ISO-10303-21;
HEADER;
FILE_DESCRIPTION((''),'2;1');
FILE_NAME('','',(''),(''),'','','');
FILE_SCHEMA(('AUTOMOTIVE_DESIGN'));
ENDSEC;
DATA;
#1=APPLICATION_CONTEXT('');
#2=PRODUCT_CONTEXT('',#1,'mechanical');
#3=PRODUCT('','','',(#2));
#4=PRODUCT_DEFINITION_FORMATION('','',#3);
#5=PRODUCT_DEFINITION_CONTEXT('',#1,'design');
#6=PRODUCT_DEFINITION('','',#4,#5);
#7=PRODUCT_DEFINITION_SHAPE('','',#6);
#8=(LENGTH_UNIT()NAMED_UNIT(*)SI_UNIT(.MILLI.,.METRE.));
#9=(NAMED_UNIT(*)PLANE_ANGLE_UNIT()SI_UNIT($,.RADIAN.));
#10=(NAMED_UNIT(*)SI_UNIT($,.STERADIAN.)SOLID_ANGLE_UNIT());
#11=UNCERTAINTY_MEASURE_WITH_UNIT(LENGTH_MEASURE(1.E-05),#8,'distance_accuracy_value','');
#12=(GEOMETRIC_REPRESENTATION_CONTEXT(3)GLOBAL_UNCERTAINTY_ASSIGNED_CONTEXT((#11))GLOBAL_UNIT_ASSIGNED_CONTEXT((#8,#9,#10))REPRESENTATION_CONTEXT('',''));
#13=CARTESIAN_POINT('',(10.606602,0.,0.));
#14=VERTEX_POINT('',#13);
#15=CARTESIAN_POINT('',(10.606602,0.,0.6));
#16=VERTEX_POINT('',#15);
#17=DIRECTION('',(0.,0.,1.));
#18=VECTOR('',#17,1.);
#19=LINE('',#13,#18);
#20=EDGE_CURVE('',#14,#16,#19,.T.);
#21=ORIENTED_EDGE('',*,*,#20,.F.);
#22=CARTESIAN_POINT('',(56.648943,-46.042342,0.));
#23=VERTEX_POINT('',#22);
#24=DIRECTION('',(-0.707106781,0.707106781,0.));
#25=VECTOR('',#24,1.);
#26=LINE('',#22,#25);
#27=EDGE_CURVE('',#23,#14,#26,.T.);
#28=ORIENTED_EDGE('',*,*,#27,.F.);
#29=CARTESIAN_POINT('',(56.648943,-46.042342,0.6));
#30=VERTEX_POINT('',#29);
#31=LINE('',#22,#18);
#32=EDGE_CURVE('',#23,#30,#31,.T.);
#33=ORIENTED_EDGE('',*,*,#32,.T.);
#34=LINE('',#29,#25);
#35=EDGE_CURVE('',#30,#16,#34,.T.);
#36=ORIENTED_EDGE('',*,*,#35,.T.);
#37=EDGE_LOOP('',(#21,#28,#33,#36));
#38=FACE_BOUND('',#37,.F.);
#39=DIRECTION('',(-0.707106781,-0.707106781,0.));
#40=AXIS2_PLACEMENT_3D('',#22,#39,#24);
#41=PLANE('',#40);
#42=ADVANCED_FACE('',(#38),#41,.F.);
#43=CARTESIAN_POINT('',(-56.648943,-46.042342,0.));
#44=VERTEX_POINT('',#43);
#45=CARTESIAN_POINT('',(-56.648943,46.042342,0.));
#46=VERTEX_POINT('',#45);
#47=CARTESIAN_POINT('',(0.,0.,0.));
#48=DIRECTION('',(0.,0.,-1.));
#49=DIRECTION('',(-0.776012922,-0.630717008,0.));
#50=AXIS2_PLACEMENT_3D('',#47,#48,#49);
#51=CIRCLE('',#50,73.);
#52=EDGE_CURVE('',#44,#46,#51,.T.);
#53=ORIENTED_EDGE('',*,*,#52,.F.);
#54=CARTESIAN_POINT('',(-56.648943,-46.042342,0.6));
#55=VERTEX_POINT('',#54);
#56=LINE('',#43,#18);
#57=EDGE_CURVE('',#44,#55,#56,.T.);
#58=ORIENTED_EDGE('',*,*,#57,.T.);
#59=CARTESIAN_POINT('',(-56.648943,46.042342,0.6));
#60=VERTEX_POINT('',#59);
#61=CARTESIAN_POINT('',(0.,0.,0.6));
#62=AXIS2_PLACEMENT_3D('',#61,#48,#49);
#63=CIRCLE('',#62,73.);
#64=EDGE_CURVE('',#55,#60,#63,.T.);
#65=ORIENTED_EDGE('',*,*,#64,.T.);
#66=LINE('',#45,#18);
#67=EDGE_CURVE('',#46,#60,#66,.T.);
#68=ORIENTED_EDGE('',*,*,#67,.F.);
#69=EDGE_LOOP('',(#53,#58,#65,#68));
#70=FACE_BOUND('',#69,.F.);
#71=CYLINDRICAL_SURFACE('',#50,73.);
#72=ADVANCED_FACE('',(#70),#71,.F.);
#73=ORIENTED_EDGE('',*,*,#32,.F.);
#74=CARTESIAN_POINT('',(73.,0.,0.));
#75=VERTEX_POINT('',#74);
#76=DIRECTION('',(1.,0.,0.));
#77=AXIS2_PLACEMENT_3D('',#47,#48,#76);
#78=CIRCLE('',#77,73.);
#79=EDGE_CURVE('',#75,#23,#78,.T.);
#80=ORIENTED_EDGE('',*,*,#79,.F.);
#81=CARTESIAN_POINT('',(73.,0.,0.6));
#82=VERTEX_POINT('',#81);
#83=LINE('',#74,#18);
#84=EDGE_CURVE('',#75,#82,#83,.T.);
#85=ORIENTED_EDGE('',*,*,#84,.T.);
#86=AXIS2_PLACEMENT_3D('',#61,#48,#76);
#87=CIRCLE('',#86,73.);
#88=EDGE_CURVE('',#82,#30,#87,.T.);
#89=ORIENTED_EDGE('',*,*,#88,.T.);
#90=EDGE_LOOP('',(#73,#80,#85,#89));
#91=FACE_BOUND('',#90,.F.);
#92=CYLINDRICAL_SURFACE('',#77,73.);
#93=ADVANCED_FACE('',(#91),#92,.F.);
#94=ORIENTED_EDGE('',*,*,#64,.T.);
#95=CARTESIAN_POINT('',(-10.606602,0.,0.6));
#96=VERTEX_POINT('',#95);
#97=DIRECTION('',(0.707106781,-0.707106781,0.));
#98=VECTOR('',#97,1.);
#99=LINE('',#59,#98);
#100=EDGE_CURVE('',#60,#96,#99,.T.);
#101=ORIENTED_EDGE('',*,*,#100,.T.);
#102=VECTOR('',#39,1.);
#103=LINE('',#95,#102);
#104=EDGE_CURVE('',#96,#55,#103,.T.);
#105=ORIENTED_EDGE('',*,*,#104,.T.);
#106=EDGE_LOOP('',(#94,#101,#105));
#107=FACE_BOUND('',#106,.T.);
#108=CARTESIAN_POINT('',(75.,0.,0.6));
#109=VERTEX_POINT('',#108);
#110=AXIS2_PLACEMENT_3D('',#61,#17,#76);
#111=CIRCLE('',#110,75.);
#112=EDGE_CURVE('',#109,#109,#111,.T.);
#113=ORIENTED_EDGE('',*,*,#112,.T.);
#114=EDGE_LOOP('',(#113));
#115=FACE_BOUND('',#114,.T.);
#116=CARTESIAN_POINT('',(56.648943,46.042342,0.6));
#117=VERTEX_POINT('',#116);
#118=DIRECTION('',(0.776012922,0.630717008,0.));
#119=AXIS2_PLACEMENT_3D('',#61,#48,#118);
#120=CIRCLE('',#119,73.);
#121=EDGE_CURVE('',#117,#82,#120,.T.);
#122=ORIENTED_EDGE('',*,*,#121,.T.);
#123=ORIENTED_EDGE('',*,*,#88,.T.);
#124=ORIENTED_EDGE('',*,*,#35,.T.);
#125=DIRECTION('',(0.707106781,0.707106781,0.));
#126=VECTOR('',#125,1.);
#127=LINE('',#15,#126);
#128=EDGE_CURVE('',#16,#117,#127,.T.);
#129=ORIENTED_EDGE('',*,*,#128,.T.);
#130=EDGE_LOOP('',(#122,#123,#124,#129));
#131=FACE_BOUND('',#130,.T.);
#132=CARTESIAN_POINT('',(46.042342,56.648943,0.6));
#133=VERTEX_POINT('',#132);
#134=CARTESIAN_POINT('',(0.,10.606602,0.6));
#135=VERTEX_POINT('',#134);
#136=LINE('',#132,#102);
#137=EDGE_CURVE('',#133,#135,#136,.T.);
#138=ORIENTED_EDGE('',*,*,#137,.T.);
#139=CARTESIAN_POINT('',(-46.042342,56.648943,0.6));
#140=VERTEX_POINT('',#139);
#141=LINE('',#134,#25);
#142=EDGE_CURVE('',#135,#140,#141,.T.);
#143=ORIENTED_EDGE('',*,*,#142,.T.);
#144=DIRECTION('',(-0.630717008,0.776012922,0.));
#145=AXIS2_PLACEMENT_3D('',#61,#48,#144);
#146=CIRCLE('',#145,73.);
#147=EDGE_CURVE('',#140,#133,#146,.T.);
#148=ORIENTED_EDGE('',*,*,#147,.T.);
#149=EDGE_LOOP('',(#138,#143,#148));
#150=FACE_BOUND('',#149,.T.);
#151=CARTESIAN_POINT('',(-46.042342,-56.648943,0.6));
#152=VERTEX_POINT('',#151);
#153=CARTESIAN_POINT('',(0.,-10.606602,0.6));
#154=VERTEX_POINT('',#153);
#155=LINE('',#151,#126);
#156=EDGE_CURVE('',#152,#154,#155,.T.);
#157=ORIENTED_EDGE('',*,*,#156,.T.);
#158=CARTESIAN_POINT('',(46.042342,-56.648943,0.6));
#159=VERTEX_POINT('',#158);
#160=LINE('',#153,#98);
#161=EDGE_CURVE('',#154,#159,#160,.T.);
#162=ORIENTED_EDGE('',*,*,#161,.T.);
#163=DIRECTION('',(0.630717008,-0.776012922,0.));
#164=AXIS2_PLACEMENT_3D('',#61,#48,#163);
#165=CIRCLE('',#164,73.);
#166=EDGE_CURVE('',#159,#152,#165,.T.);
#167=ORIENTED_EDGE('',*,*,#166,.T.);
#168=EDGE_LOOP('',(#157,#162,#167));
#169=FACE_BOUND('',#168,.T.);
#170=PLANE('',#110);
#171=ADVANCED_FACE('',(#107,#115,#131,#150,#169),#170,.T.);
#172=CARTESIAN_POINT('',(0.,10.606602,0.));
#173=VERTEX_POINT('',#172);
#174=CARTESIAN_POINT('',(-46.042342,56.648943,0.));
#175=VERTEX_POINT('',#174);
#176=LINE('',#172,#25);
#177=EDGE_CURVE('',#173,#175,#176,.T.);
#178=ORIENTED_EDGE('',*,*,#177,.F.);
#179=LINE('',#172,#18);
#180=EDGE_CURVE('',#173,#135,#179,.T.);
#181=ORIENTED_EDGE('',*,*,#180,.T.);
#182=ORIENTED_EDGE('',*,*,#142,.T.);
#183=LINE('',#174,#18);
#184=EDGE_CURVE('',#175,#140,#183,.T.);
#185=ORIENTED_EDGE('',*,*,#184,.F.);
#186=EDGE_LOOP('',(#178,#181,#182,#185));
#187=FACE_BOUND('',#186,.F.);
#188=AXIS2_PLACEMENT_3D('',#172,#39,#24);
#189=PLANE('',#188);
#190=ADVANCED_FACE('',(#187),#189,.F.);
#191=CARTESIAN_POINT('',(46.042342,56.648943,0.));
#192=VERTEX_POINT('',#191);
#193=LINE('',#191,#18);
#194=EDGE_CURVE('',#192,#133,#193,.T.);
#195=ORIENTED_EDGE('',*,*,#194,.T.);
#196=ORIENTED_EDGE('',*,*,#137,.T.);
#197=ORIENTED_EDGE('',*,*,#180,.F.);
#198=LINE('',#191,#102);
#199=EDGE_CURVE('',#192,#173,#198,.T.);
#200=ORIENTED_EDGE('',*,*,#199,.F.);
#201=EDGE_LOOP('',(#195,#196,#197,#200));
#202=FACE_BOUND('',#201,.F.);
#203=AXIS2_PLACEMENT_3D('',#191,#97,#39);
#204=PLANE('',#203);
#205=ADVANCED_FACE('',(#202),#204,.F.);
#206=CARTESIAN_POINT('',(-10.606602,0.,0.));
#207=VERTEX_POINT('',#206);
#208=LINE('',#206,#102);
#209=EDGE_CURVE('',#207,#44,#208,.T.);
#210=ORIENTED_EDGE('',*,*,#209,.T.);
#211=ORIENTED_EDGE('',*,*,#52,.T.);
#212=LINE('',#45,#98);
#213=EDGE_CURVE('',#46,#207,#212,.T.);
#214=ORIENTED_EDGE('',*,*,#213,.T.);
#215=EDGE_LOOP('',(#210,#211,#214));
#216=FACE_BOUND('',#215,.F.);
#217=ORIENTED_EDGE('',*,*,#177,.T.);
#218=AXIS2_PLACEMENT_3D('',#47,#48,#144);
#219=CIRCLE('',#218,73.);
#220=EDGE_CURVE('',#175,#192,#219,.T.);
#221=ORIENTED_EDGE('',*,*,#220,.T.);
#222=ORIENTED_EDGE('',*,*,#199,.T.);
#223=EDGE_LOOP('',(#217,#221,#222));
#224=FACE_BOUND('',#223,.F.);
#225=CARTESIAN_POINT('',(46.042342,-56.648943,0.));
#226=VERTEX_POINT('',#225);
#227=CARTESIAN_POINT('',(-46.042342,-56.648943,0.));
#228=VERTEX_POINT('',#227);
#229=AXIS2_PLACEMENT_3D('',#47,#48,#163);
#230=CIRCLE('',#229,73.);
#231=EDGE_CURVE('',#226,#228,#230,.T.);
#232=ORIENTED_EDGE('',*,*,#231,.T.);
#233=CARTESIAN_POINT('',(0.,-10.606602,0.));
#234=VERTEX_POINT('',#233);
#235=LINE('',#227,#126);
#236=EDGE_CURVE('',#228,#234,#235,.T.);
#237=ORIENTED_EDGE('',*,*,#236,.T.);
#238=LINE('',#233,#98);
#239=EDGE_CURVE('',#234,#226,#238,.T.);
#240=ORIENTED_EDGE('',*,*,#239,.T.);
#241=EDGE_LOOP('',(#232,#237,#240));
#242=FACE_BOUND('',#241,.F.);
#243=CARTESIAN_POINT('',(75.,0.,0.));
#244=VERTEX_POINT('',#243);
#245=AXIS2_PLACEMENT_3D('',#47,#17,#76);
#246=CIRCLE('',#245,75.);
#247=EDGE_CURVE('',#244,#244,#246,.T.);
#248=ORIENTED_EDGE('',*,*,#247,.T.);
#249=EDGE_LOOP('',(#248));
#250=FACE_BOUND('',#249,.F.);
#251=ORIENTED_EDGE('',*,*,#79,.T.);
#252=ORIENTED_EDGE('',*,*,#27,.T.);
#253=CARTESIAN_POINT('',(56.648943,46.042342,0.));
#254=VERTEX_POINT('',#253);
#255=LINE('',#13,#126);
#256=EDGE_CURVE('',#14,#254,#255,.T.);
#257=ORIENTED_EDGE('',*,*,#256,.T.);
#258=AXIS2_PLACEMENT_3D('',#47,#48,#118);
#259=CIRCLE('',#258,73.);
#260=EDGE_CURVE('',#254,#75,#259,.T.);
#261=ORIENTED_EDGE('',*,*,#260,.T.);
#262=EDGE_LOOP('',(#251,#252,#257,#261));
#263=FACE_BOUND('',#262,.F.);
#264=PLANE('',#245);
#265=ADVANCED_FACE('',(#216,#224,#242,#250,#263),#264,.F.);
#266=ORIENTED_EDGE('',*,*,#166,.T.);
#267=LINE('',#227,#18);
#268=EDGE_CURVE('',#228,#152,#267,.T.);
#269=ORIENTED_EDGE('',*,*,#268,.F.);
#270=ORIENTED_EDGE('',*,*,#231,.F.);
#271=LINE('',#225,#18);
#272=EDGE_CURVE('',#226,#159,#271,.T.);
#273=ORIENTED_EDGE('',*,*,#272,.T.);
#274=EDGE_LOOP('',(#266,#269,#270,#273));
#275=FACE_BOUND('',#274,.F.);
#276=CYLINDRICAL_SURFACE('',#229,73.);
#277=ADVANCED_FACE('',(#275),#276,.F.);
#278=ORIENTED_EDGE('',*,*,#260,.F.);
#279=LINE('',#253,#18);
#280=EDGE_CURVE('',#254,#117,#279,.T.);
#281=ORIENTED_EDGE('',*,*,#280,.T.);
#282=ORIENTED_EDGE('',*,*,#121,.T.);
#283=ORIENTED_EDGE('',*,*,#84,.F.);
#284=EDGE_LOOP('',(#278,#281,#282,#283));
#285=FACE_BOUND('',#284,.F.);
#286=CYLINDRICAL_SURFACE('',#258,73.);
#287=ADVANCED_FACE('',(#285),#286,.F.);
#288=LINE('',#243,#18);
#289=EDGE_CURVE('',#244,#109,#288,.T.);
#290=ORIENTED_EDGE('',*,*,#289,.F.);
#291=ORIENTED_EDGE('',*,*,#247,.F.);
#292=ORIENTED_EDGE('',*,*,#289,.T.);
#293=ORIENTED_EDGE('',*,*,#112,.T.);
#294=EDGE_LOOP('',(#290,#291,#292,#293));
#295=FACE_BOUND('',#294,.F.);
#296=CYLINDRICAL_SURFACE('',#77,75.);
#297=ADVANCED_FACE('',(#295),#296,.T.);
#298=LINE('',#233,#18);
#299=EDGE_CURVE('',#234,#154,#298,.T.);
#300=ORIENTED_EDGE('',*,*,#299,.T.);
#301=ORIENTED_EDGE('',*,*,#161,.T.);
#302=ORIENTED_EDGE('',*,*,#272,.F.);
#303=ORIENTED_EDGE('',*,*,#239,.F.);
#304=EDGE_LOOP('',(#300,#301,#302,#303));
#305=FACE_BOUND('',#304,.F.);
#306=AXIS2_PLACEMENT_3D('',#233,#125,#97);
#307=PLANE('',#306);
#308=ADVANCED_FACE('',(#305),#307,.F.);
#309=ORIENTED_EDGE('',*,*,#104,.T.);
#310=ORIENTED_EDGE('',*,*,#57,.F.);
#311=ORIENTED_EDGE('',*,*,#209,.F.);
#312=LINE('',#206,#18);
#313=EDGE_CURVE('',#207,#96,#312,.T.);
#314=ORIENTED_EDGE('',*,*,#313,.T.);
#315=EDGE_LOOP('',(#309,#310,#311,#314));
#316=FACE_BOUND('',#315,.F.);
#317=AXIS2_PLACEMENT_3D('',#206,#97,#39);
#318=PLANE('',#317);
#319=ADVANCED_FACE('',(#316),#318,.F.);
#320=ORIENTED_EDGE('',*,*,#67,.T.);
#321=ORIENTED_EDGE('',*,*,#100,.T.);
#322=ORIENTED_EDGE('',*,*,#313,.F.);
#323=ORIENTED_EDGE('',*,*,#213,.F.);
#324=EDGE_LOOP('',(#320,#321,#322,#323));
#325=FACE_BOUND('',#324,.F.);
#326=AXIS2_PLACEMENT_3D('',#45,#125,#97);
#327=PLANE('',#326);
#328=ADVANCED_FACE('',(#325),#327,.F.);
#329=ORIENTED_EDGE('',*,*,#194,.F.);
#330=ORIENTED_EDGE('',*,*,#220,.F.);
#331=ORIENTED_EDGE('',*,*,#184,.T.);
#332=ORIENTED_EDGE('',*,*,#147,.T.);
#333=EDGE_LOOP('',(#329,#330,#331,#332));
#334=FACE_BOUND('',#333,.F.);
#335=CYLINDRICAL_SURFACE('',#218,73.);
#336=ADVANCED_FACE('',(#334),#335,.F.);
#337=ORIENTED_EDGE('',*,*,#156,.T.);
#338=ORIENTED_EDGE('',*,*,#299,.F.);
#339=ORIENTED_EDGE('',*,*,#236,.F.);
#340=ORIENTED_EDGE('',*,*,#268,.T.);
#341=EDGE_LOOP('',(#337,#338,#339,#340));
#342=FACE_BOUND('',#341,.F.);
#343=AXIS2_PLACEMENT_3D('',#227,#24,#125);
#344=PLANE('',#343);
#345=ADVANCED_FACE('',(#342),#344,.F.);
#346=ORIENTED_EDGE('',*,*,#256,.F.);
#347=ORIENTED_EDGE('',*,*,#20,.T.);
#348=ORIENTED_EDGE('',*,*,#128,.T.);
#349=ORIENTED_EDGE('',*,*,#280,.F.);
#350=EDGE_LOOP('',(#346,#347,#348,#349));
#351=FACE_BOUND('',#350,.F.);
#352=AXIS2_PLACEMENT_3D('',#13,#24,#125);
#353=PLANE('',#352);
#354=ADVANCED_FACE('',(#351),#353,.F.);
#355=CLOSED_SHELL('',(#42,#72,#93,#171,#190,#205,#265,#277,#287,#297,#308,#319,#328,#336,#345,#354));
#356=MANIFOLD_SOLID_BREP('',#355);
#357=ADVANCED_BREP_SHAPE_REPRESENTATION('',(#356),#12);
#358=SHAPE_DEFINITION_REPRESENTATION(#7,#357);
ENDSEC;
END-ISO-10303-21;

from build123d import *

# Parameters (mm, degrees)
F0_R     = 75
F1_DEPTH = 0.6


with BuildPart() as f1:
    # F0 (on Top) → F1 (new body)
    with BuildSketch(Plane.XY):
        Circle(F0_R)
        with BuildLine():
            ThreePointArc((56.6489433225, 46.0423416047), (68.7908891589, 24.4297680859), (73, 0))
            ThreePointArc((73, 0), (68.7908891589, -24.4297680859), (56.6489433225, -46.0423416047))
            ThreePointArc((56.6489433225, -46.0423416047), (51.6187950266, -51.6187950266), (46.0423416047, -56.6489433225))
            ThreePointArc((46.0423416047, -56.6489433225), (0, -73), (-46.0423416047, -56.6489433225))
            ThreePointArc((-46.0423416047, -56.6489433225), (-51.6187950266, -51.6187950266), (-56.6489433225, -46.0423416047))
            ThreePointArc((-56.6489433225, -46.0423416047), (-73, 0), (-56.6489433225, 46.0423416047))
            ThreePointArc((-56.6489433225, 46.0423416047), (-51.6187950266, 51.6187950266), (-46.0423416047, 56.6489433225))
            ThreePointArc((-46.0423416047, 56.6489433225), (0, 73), (46.0423416047, 56.6489433225))
            ThreePointArc((46.0423416047, 56.6489433225), (51.6187950266, 51.6187950266), (56.6489433225, 46.0423416047))
        make_face(mode=Mode.SUBTRACT)
        with BuildLine():
            Line((0, 10.6066017178), (-46.0423416047, 56.6489433225))
            ThreePointArc((-46.0423416047, 56.6489433225), (-51.6187950266, 51.6187950266), (-56.6489433225, 46.0423416047))
            Line((-56.6489433225, 46.0423416047), (-10.6066017178, 0))
            Line((-10.6066017178, 0), (0, 10.6066017178))
        make_face()
        with BuildLine():
            Line((-46.0423416047, -56.6489433225), (0, -10.6066017178))
            Line((0, -10.6066017178), (-10.6066017178, 0))
            Line((-10.6066017178, 0), (-56.6489433225, -46.0423416047))
            ThreePointArc((-56.6489433225, -46.0423416047), (-51.6187950266, -51.6187950266), (-46.0423416047, -56.6489433225))
        make_face()
        with BuildLine():
            ThreePointArc((46.0423416047, -56.6489433225), (51.6187950266, -51.6187950266), (56.6489433225, -46.0423416047))
            Line((56.6489433225, -46.0423416047), (10.6066017178, 0))
            Line((10.6066017178, 0), (0, -10.6066017178))
            Line((0, -10.6066017178), (46.0423416047, -56.6489433225))
        make_face()
        with BuildLine():
            Line((10.6066017178, 0), (56.6489433225, 46.0423416047))
            ThreePointArc((56.6489433225, 46.0423416047), (51.6187950266, 51.6187950266), (46.0423416047, 56.6489433225))
            Line((46.0423416047, 56.6489433225), (0, 10.6066017178))
            Line((0, 10.6066017178), (10.6066017178, 0))
        make_face()
        Polygon((0, -10.6066017178), (10.6066017178, 0), (0, 10.6066017178), (-10.6066017178, 0), align=None)
    extrude(amount=F1_DEPTH)


solid = f1.part
